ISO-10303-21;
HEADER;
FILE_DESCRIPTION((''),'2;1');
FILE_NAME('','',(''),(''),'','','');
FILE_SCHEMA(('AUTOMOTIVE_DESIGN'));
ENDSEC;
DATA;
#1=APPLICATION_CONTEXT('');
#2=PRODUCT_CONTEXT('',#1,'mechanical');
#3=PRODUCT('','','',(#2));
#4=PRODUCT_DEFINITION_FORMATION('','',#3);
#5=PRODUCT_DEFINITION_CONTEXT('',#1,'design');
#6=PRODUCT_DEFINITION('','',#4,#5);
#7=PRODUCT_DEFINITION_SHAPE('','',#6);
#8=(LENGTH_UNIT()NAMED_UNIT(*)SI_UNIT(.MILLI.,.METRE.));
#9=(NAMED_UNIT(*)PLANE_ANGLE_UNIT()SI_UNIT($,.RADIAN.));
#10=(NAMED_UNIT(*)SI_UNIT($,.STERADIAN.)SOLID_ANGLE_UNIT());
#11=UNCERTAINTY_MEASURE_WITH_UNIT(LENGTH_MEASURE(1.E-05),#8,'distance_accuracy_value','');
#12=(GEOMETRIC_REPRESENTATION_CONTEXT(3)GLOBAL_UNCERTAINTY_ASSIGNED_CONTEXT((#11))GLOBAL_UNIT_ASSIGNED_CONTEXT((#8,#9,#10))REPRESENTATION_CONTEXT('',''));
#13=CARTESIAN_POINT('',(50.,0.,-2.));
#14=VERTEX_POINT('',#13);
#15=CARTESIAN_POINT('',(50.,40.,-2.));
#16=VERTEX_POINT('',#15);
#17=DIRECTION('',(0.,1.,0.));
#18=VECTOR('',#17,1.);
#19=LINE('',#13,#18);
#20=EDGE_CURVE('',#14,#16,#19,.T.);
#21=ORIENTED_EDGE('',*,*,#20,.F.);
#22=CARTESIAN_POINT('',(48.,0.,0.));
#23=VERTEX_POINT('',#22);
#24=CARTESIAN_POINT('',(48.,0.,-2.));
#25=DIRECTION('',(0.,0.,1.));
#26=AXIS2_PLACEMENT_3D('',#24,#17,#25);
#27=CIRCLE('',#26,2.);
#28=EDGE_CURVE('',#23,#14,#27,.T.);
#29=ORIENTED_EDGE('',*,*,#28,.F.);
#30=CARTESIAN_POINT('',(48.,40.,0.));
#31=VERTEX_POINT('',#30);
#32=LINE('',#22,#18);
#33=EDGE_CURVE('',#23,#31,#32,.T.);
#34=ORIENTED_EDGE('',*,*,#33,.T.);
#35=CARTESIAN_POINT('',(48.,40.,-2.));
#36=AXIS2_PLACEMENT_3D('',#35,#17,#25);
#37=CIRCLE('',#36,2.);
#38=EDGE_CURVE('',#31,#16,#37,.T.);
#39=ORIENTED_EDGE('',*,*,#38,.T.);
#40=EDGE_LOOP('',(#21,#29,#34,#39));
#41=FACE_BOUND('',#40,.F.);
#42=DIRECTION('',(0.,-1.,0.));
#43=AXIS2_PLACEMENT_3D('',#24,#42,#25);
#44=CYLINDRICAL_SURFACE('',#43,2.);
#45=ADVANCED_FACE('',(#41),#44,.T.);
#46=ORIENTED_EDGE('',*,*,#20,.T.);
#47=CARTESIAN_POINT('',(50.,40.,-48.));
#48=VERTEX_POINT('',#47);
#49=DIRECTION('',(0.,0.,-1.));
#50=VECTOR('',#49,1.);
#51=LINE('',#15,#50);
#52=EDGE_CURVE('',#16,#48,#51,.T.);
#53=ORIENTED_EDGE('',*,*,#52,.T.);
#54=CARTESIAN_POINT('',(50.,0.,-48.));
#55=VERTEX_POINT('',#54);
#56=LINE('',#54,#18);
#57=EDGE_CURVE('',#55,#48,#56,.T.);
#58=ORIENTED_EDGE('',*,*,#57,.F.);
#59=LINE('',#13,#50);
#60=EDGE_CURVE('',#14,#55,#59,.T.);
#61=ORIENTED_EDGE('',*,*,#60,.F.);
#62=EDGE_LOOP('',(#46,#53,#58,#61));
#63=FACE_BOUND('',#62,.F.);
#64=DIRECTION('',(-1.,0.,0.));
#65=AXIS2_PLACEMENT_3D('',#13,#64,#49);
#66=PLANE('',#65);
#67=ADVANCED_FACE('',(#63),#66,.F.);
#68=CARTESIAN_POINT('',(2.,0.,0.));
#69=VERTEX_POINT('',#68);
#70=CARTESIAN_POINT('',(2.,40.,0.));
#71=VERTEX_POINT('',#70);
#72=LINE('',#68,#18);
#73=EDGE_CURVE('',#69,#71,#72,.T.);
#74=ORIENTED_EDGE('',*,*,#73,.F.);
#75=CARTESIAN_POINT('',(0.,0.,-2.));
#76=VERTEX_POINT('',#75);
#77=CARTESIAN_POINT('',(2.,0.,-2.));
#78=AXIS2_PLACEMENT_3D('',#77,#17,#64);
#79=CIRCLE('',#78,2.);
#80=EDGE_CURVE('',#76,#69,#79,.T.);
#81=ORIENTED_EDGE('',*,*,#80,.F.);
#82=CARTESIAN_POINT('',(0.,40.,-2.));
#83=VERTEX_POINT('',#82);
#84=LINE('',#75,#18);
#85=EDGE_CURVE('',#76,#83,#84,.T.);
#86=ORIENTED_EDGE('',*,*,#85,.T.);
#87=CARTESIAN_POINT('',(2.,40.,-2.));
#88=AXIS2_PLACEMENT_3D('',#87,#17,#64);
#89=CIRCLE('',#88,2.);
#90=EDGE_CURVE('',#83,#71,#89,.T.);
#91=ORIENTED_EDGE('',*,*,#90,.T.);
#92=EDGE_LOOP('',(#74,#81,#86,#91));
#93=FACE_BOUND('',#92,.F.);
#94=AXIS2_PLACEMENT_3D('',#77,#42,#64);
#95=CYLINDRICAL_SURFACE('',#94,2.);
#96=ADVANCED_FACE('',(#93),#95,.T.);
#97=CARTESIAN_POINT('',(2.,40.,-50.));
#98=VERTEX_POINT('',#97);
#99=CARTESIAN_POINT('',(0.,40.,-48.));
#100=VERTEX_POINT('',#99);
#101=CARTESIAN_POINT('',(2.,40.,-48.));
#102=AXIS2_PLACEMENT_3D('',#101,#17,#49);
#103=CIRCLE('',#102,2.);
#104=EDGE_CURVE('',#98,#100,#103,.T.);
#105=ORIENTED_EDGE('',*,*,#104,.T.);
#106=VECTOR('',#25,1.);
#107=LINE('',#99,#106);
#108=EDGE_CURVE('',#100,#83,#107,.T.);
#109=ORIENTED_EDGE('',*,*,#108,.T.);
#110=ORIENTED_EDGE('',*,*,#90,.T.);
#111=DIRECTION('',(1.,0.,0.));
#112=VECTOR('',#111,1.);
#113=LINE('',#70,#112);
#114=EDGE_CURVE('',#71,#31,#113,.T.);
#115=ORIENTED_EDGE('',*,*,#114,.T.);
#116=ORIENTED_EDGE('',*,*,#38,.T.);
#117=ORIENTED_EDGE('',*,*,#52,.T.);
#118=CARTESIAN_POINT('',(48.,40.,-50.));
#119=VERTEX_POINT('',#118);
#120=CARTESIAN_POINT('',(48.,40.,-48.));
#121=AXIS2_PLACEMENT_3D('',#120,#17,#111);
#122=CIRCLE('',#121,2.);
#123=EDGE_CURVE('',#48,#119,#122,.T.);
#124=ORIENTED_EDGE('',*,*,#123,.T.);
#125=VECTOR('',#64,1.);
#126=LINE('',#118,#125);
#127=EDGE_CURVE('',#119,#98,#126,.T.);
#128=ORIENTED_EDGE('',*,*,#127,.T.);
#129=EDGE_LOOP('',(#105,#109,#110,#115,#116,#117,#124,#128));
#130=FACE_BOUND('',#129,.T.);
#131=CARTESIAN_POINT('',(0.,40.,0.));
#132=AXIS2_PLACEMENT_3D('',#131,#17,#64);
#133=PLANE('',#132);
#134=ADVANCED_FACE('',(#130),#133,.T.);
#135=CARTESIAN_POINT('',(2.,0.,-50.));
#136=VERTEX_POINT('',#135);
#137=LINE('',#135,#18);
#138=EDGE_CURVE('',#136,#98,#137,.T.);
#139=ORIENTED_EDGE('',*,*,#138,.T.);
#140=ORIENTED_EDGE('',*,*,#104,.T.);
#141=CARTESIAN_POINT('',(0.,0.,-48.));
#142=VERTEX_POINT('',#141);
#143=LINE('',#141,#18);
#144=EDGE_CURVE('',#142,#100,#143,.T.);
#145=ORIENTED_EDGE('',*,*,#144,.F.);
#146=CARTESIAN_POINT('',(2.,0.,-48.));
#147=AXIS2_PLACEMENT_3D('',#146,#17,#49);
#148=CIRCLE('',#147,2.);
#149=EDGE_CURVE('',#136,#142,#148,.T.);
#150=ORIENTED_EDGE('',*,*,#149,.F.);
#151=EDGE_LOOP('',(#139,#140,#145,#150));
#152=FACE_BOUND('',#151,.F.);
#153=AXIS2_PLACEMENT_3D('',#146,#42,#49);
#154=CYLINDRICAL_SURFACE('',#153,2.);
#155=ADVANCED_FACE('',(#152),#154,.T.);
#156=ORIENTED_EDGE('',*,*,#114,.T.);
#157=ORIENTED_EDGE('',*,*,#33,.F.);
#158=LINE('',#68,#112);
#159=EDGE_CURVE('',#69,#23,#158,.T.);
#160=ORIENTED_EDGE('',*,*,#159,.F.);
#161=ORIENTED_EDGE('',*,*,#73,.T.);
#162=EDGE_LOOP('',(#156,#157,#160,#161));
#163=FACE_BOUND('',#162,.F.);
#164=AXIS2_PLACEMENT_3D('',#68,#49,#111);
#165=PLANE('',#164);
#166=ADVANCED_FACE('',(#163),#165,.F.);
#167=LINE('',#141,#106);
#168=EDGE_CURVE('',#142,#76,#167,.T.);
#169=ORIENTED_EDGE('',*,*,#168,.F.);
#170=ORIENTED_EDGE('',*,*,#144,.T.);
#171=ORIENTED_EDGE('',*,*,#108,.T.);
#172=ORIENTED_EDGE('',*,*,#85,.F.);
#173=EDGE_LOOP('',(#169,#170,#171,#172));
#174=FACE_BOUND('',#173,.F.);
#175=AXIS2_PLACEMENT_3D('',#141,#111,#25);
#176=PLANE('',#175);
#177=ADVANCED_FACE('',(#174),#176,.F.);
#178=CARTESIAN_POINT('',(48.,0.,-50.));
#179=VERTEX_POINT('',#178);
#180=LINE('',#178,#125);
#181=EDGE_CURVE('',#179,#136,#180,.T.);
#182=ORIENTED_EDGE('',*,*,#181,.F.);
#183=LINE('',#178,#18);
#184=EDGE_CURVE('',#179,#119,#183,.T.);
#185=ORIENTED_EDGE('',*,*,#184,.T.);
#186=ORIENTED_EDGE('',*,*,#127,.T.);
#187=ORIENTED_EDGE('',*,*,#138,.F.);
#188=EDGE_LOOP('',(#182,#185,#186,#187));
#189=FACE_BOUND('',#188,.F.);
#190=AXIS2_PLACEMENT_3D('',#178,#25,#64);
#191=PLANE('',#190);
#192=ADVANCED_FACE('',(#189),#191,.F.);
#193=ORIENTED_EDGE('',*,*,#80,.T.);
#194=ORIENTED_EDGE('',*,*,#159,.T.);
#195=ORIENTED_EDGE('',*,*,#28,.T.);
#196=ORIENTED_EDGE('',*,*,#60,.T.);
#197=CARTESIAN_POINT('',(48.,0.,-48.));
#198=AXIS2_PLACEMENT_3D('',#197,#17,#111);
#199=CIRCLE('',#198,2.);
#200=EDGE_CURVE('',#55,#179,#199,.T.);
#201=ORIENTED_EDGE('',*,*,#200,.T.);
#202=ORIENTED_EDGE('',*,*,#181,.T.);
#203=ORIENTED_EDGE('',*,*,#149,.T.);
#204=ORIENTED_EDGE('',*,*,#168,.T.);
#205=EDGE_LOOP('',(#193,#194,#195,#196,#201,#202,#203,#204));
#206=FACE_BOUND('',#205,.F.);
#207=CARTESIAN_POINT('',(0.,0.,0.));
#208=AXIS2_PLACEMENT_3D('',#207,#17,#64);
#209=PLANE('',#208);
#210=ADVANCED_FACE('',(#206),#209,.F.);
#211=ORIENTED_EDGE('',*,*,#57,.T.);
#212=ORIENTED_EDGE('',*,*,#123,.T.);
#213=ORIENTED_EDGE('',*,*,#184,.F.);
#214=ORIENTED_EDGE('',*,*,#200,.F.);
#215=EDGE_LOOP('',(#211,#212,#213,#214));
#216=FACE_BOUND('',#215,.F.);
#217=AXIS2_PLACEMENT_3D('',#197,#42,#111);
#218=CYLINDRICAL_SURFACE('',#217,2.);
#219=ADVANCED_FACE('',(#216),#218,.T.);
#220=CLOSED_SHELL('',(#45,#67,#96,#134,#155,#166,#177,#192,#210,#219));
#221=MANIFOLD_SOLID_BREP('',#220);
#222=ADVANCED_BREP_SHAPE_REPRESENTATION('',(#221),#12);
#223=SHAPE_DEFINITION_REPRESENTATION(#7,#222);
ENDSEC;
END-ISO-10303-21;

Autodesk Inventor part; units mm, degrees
ref_plane "YZ Plane" through (0, 0, 0) normal (1, 0, 0) x (0, 1, 0)
ref_plane "XZ Plane" through (0, 0, 0) normal (0, 1, 0) x (-1, 0, 0)
ref_plane "XY Plane" through (0, 0, 0) normal (0, 0, 1) x (1, 0, 0)
sketch "Sketch1" plane through (0, 0, 0) normal (0, 1, 0) x (-1, 0, 0)
  line L0 (-2, 0) -> (-48, 0)
  line L1 (-50, -2) -> (-50, -48)
  line L2 (-48, -50) -> (-2, -50)
  line L3 (0, -48) -> (0, -2)
  arc A0 (0, -2) -> (-2, 0) centre (-2, -2) ccw
  arc A1 (-50, -48) -> (-48, -50) centre (-48, -48) ccw
  arc A2 (-2, -50) -> (0, -48) centre (-2, -48) ccw
  arc A3 (-48, 0) -> (-50, -2) centre (-48, -2) ccw
  point P0 (0, 0)
  point P1 (-50, 0)
  point P2 (-50, -50)
  dimension "d0" = 50
  dimension "d1" = 50
  dimension "d2" = 2
extrude "Extrusion1" add sketch "Sketch1" along normal blind 40
properties part number "stepper driver"
